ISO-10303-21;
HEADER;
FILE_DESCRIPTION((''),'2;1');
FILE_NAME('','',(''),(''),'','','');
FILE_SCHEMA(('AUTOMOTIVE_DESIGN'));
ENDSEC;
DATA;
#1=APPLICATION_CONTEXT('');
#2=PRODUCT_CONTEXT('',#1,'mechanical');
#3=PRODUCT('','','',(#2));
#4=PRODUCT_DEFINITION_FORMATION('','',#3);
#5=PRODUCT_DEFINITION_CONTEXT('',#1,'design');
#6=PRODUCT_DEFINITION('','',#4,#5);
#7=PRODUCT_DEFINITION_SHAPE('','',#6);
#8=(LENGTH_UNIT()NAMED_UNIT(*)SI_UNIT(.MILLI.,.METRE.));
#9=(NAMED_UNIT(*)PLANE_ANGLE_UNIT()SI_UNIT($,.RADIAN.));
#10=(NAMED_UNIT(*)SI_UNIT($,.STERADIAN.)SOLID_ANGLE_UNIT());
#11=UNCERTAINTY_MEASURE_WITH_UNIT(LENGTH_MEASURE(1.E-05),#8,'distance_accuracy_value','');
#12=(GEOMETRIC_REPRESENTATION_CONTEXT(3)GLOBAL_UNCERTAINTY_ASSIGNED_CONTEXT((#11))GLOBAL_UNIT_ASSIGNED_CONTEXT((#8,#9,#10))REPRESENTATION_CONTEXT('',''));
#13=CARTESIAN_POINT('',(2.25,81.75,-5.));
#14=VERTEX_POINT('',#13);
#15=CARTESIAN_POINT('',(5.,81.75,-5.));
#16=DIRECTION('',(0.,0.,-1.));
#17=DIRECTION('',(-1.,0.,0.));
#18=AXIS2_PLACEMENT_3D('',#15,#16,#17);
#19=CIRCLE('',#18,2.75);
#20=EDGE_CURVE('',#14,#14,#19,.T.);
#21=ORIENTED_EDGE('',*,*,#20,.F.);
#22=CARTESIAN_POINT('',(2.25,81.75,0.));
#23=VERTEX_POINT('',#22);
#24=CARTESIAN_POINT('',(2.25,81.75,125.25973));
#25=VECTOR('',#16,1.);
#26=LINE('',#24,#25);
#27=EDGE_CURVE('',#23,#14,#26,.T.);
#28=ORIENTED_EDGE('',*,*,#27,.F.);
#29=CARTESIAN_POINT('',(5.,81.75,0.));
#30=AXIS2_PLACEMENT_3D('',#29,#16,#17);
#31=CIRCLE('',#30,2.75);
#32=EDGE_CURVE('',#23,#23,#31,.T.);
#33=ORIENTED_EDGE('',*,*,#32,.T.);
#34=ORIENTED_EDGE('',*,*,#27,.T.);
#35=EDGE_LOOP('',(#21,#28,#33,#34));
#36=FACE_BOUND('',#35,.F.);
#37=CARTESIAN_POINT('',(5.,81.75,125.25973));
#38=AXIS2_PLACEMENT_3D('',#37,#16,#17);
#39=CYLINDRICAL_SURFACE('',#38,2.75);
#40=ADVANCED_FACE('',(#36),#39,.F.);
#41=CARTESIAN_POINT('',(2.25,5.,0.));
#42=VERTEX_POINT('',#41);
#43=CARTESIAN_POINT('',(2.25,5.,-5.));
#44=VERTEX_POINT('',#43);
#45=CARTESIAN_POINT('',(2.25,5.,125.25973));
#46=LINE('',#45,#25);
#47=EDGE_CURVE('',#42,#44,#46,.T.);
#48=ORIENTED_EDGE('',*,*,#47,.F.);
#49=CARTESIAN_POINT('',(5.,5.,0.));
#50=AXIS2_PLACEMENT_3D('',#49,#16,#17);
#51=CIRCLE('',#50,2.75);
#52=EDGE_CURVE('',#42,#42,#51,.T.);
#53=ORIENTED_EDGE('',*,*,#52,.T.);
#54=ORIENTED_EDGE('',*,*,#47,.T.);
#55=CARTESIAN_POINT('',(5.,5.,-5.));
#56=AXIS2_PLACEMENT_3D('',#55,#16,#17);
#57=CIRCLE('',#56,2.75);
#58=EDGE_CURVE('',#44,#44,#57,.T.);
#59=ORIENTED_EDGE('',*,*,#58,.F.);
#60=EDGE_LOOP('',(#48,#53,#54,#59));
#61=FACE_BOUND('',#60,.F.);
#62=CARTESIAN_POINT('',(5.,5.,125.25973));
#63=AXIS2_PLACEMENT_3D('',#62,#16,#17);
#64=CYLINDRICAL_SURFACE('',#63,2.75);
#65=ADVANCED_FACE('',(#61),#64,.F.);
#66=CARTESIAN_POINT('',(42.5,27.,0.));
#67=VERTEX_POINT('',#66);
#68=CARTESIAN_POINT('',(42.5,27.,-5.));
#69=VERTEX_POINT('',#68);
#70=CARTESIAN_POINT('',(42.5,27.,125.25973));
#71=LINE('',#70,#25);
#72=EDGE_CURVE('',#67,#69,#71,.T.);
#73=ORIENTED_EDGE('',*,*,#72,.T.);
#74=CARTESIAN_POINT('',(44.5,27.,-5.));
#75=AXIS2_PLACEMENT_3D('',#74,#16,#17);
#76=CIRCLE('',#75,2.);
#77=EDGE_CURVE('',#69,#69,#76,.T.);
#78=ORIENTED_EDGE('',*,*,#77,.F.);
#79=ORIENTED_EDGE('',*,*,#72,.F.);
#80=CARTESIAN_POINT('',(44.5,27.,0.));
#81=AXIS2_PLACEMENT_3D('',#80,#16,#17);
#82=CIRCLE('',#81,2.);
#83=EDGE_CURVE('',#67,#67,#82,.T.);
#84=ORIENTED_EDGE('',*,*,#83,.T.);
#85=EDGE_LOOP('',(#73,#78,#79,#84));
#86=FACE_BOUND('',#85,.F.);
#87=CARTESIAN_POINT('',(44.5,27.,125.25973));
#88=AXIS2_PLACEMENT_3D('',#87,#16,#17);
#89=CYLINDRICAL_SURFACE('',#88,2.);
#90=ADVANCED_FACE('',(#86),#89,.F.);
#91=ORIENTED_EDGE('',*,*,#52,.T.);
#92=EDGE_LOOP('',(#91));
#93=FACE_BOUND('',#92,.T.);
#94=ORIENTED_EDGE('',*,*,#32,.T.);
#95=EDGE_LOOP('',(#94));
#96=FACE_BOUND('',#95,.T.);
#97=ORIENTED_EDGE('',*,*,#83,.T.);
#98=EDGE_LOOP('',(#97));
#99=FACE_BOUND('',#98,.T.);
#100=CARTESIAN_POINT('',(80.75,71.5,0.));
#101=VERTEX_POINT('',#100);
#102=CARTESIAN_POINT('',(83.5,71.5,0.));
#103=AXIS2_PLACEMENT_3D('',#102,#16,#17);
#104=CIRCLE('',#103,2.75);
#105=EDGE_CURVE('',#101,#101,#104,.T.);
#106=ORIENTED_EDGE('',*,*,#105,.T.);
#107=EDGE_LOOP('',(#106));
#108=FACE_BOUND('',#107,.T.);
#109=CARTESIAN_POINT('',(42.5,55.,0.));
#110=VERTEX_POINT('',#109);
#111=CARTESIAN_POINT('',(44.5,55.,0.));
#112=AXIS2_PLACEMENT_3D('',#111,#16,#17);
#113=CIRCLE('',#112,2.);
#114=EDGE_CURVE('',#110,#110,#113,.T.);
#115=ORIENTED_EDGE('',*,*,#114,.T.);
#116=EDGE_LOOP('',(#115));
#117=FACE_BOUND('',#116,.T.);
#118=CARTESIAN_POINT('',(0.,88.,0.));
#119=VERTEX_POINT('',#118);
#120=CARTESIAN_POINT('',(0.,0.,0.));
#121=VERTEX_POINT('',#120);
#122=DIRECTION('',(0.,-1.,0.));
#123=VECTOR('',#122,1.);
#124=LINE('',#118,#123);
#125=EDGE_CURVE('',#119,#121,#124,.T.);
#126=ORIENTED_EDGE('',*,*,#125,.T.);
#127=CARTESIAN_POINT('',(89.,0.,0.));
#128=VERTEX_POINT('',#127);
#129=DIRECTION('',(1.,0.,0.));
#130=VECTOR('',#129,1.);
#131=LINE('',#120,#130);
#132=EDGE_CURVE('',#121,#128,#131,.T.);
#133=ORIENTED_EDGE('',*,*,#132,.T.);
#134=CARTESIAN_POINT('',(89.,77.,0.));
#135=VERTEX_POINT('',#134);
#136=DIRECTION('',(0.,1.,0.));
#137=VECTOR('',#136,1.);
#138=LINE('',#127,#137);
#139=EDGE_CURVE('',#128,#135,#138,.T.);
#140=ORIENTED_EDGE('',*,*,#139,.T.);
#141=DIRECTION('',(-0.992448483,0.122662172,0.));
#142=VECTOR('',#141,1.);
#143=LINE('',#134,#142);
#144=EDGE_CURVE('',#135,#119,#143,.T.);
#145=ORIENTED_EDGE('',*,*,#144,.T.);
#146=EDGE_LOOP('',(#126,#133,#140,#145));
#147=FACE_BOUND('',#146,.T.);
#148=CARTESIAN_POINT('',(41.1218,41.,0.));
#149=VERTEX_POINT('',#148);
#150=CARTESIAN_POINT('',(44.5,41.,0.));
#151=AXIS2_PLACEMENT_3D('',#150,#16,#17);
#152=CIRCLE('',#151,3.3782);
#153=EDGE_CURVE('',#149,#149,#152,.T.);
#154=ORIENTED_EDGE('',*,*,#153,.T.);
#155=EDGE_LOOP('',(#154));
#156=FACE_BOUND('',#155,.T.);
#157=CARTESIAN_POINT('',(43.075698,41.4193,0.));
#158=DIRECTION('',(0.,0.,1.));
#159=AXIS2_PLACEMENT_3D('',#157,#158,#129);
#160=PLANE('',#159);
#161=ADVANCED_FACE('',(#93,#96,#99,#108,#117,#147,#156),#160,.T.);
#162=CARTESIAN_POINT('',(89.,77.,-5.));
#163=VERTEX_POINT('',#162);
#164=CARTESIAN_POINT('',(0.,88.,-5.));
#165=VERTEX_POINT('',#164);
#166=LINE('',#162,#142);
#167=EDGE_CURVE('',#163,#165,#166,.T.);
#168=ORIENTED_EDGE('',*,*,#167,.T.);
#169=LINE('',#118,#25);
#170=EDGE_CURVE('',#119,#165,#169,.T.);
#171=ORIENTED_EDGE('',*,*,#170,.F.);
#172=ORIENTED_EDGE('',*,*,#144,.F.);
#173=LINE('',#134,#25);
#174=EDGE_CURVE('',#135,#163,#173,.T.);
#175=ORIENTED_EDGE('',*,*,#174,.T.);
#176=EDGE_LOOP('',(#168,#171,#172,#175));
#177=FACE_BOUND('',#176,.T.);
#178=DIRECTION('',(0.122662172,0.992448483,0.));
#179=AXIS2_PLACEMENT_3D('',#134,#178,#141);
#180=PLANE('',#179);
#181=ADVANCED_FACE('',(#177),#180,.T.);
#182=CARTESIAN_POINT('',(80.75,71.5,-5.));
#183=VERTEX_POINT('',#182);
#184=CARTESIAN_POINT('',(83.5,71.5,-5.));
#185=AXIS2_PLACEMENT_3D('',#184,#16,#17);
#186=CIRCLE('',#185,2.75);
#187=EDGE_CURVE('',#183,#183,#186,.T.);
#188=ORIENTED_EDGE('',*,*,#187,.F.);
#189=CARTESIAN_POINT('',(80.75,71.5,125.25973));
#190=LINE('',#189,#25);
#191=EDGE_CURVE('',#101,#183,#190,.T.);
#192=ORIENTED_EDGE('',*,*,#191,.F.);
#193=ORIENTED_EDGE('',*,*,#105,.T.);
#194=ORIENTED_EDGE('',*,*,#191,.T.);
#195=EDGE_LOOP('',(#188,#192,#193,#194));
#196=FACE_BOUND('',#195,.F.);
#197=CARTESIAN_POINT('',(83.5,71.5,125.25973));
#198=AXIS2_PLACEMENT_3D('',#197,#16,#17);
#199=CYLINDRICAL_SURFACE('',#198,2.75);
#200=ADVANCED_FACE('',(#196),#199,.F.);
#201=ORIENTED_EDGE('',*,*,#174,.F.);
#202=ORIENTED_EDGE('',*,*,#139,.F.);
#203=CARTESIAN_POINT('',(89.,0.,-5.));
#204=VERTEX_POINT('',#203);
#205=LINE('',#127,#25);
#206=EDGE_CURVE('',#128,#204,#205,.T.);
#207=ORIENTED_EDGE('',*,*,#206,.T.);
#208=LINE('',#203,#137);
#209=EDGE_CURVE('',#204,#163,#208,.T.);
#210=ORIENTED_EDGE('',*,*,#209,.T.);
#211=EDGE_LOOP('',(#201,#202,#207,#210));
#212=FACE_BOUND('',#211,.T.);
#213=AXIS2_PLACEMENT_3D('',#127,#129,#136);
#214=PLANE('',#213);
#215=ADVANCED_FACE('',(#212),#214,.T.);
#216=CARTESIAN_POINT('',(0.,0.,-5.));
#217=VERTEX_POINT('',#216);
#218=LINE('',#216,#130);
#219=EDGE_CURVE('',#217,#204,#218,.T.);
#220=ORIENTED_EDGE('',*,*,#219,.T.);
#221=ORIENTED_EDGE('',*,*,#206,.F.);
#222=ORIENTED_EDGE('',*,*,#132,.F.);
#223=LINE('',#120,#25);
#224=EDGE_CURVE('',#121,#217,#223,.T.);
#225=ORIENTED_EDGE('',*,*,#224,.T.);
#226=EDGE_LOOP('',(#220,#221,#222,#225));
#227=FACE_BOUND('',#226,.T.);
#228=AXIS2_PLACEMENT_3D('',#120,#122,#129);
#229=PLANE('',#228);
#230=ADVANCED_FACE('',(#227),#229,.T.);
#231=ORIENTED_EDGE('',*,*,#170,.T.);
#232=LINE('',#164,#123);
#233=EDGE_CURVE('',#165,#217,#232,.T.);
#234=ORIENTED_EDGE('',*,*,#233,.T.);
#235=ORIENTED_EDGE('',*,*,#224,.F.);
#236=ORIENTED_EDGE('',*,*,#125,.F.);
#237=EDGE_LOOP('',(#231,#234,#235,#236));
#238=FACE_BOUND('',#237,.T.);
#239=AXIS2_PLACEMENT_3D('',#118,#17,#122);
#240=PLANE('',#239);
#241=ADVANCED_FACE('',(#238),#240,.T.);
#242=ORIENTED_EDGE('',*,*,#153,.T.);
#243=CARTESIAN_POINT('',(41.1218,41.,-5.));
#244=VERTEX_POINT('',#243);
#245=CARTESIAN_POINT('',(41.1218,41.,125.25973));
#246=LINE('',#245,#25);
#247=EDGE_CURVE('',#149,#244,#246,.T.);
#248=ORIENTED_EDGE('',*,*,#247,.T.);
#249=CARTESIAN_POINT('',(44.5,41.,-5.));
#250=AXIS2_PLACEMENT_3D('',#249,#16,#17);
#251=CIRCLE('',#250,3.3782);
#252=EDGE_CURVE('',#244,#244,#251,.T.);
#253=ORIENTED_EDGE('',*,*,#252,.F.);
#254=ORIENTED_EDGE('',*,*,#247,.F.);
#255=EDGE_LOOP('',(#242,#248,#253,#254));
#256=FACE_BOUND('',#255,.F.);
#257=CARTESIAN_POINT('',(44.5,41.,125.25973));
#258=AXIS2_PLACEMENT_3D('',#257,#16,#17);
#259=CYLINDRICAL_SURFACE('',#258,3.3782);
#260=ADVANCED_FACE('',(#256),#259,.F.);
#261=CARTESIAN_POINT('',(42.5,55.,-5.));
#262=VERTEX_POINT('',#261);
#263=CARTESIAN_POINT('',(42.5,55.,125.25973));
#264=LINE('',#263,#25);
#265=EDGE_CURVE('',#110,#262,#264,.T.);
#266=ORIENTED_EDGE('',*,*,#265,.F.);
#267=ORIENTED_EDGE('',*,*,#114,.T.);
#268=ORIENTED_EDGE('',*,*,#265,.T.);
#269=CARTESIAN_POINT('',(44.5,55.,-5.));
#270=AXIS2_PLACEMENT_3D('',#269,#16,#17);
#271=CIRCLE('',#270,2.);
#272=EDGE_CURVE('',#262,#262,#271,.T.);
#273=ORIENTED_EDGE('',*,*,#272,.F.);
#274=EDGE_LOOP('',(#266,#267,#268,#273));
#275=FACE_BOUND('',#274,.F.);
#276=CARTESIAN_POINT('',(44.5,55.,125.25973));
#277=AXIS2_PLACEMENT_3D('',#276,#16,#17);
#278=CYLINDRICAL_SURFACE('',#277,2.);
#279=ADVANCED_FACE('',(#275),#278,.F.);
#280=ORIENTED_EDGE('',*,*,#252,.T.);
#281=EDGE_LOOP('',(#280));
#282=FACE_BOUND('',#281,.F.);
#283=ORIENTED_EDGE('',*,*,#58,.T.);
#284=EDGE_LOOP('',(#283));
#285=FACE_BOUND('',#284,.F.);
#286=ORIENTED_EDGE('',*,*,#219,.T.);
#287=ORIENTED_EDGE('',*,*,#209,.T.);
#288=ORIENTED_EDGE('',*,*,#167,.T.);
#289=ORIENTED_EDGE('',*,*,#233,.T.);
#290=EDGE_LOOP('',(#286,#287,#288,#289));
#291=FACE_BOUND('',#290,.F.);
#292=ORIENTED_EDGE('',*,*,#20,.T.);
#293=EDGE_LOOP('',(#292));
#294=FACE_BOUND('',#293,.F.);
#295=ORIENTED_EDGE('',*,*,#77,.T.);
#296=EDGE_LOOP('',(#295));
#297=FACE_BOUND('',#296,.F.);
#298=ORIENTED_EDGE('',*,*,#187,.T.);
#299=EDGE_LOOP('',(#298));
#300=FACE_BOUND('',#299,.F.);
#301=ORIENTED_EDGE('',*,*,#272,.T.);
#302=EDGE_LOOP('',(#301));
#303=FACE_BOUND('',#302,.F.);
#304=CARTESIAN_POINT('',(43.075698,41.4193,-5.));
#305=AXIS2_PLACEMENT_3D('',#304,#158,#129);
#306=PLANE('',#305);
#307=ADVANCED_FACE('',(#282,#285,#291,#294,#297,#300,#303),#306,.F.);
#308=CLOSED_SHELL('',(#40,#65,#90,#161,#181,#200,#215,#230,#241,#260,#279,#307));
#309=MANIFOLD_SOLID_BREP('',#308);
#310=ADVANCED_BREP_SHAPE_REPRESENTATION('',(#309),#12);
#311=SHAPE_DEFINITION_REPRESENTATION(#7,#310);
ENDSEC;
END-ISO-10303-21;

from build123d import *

# Parameters (mm, degrees)
F1_DEPTH = 5
F3_D     = 5.5
F5_D     = 6.7564
F7_D     = 4


with BuildPart() as f1:
    # F0 (on Top) → F1 (new body)
    with BuildSketch(Plane.XY):
        Polygon((0, 88), (0, 0), (89, 0), (89, 77), align=None)
    extrude(amount=-F1_DEPTH)

    # F3 (through all)
    with Locations(Plane.XY):
        with Locations((5, 5), (5, 81.75), (83.5, 71.5)):
            Hole(F3_D / 2)

    # F5 (through all)
    with Locations(Plane.XY):
        with Locations((44.5, 41)):
            Hole(F5_D / 2)

    # F7 (through all)
    with Locations(Plane.XY):
        with Locations((44.5, 55), (44.5, 27)):
            Hole(F7_D / 2)


solid = f1.part
